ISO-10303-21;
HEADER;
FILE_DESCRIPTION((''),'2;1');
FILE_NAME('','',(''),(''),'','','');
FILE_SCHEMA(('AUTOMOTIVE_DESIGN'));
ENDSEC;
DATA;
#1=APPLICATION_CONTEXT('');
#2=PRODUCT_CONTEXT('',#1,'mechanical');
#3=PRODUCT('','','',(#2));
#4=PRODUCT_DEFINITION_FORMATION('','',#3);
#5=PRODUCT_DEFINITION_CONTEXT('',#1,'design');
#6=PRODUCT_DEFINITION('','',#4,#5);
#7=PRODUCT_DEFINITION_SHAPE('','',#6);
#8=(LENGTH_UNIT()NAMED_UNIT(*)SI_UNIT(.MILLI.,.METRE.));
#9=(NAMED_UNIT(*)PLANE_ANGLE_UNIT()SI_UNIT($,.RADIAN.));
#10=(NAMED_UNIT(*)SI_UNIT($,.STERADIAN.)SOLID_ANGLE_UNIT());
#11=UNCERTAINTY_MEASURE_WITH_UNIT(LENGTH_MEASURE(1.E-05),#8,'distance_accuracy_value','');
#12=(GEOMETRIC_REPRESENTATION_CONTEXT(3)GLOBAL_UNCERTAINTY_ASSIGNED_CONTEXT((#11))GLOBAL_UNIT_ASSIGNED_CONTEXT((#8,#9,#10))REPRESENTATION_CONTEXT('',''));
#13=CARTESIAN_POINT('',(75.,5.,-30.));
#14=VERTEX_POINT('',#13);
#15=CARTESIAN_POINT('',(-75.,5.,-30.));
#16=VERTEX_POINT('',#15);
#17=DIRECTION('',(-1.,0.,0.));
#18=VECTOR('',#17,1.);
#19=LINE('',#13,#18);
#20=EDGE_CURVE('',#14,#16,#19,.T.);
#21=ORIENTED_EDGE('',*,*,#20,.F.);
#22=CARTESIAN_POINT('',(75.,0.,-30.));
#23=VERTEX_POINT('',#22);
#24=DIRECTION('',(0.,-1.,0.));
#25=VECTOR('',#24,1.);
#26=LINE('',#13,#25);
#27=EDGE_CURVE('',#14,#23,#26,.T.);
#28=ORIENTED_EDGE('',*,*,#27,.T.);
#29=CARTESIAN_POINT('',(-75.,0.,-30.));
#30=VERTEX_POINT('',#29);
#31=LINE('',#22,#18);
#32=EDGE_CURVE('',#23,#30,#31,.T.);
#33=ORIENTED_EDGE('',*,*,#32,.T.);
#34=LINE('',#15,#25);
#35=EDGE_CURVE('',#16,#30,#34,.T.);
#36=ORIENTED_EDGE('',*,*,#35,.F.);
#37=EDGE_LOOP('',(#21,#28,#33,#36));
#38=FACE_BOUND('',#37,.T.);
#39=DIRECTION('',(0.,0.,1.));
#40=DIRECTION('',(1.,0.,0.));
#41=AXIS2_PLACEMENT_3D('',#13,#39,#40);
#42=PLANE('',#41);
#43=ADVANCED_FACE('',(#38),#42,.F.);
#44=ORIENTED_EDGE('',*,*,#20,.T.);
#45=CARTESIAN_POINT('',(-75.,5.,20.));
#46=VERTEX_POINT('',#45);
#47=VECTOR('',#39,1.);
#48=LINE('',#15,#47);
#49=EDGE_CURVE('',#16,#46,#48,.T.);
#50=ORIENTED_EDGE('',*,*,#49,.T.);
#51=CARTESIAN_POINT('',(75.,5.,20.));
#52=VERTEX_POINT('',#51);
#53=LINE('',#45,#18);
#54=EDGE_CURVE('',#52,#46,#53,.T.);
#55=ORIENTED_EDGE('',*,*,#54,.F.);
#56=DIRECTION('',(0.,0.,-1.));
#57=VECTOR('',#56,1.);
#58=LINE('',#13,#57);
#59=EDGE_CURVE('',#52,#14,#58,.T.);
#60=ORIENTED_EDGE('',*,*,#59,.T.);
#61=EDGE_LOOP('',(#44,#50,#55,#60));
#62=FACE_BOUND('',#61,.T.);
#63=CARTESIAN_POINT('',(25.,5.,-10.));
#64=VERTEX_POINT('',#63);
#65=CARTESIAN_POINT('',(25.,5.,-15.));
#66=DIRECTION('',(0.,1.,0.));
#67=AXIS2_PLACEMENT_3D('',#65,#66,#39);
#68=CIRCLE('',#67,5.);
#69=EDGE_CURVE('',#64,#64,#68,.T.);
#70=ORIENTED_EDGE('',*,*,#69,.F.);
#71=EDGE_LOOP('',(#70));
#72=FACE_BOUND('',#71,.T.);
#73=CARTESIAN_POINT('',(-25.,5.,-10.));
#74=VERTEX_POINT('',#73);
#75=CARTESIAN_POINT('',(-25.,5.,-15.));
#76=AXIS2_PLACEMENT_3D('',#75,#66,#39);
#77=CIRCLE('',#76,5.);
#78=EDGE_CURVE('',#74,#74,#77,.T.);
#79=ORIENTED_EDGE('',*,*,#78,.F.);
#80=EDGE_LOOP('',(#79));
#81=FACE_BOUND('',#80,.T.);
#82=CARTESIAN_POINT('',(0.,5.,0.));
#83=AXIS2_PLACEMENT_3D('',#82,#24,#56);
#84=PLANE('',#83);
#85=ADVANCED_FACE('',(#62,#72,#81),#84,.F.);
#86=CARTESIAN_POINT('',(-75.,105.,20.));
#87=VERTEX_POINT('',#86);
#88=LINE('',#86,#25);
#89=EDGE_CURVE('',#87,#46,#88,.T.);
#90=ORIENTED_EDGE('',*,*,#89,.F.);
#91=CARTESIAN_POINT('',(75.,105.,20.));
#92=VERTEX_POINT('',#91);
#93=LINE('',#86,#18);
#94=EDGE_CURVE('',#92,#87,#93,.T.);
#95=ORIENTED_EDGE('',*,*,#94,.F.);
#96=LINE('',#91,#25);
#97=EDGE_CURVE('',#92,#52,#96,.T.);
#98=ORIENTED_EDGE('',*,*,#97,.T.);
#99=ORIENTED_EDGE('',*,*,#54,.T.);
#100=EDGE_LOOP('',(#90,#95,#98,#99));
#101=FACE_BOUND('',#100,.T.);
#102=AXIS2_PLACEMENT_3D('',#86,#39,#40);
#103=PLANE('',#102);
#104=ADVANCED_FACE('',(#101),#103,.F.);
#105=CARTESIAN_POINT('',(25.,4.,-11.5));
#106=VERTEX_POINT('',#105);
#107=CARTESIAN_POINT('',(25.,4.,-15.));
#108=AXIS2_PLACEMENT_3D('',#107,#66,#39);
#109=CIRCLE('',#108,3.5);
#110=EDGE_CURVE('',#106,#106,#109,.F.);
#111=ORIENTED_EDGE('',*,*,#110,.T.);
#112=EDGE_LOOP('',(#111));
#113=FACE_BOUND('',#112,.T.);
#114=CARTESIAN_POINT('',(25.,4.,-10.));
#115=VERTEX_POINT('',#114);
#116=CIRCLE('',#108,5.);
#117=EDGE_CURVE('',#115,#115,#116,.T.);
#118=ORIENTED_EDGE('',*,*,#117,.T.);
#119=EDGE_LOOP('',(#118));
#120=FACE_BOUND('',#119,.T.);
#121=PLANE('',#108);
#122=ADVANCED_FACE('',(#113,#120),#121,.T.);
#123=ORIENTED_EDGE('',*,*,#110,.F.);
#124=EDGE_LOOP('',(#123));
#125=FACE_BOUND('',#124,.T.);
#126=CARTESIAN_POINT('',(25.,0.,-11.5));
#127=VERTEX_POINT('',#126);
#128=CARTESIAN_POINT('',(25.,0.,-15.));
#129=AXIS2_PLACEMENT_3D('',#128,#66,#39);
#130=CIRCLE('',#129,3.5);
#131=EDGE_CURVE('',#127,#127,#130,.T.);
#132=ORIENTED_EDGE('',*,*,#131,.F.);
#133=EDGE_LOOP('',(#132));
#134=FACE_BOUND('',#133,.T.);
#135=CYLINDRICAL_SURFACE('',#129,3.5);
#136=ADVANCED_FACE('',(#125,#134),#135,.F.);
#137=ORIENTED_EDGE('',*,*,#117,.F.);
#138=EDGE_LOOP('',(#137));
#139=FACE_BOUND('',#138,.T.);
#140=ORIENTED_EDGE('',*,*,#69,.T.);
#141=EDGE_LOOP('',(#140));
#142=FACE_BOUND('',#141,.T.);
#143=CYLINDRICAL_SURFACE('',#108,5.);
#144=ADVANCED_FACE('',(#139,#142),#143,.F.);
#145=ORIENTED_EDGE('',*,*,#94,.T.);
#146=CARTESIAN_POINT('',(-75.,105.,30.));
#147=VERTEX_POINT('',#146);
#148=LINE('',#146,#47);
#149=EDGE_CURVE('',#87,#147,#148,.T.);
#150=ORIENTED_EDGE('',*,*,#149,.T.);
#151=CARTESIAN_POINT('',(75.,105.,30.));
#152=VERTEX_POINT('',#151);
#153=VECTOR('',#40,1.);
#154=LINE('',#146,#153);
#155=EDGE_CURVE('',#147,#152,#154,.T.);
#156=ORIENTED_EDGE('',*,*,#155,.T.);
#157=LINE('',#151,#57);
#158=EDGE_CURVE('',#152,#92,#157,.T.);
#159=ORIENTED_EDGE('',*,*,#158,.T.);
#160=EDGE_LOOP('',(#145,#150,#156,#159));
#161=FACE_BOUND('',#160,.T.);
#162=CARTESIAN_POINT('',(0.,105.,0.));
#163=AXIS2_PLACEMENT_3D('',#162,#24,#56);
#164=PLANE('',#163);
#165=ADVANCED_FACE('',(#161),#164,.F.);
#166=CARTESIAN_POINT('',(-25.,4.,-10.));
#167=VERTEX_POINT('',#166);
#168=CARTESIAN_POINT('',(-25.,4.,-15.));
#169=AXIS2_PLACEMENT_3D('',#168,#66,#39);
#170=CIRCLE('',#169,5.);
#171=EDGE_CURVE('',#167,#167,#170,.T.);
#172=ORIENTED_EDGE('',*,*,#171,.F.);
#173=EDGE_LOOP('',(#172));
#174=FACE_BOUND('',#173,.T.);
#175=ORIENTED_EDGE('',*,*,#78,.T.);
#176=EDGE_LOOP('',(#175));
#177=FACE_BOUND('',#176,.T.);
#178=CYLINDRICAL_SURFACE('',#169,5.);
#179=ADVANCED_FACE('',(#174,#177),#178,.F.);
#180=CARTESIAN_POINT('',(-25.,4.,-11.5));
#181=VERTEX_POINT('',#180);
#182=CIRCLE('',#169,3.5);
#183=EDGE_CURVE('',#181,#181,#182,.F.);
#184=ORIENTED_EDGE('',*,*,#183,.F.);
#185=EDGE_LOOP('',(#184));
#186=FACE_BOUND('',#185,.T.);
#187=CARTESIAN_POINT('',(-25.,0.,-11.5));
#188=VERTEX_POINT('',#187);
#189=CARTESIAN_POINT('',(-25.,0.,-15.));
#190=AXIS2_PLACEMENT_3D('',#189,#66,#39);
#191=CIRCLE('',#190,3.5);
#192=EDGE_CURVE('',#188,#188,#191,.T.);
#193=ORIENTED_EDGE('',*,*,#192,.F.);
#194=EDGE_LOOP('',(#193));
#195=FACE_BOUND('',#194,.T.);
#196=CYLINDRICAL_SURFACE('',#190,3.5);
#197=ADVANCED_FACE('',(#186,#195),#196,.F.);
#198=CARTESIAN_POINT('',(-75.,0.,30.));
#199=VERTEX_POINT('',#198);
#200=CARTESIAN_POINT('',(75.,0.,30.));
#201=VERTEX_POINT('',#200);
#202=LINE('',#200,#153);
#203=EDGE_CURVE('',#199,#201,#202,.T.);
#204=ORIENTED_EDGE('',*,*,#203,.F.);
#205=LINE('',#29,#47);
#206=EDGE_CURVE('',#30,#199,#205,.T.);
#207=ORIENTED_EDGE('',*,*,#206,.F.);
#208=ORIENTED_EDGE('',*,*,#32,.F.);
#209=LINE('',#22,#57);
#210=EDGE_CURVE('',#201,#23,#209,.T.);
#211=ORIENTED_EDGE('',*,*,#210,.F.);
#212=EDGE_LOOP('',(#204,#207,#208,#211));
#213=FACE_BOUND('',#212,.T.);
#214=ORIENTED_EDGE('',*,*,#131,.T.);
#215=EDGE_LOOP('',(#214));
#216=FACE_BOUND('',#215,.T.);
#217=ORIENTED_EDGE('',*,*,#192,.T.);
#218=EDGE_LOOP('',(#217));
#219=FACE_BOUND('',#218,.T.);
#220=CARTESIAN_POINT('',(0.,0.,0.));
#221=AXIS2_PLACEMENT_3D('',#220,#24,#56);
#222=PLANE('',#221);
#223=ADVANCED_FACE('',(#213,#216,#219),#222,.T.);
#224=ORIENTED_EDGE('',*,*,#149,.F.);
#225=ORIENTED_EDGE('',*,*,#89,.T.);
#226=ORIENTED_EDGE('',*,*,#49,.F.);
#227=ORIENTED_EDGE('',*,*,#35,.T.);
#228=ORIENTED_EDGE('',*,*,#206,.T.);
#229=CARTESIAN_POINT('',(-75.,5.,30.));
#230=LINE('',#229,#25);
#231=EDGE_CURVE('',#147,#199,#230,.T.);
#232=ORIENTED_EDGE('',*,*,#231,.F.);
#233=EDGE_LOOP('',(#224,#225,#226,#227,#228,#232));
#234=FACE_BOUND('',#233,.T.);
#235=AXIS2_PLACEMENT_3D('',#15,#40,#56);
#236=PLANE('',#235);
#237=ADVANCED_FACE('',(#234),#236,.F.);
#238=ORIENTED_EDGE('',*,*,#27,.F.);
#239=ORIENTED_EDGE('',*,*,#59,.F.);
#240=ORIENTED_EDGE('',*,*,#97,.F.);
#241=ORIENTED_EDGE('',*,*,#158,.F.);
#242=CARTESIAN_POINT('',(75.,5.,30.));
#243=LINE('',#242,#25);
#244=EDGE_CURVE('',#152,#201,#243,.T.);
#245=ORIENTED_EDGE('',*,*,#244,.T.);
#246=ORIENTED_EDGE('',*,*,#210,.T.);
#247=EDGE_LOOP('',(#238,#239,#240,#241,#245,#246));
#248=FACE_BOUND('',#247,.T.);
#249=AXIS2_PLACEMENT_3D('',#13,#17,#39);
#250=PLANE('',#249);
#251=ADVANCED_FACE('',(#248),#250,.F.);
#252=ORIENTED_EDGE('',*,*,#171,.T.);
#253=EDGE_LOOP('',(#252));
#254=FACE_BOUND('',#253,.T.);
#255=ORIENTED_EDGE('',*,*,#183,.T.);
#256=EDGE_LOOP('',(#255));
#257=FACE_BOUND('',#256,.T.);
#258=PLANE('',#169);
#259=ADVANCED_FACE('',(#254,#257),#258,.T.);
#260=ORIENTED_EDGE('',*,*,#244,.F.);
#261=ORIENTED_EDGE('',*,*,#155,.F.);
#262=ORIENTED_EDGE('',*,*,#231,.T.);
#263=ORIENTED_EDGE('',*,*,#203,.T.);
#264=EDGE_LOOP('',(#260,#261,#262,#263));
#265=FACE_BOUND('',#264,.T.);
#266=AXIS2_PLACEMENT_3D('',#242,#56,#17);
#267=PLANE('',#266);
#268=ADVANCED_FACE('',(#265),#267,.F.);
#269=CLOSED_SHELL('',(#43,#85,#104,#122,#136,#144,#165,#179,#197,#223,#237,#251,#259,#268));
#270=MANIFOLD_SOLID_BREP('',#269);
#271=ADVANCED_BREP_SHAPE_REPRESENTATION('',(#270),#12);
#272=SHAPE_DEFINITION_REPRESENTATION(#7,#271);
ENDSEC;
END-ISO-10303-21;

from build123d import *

# Parameters (mm, degrees)
SKETCH2_W           = 150
SKETCH2_H           = 60
BOSS_EXTRUDE2_DEPTH = 5
SKETCH3_W           = 150
SKETCH3_H           = 10
BOSS_EXTRUDE3_DEPTH = 100
SKETCH4_R           = 3.5
CUT_EXTRUDE1_DEPTH  = 129.549601322
SKETCH6_R           = 5
CUT_EXTRUDE2_DEPTH  = 1


with BuildPart() as part:
    # Sketch2 → Boss-Extrude2 (new body)
    with BuildSketch(Plane(origin=(0, 0, 0), x_dir=(1, 0, 0), z_dir=(0, 1, 0))):
        Rectangle(SKETCH2_W, SKETCH2_H)
    extrude(amount=BOSS_EXTRUDE2_DEPTH)

    # Sketch3 → Boss-Extrude3 (add)
    with BuildSketch(Plane(origin=(0, 5, 0), x_dir=(1, 0, 0), z_dir=(0, 1, 0))):
        with Locations((0, -25)):
            Rectangle(SKETCH3_W, SKETCH3_H)
    extrude(amount=BOSS_EXTRUDE3_DEPTH)

    # Sketch4 → Cut-Extrude1 (cut, through all)
    with BuildSketch(Plane(origin=(0, 5, 0), x_dir=(1, 0, 0), z_dir=(0, 1, 0))):
        with Locations(Location((-25, 15, 0), (0, 0, 270))):
            Circle(SKETCH4_R)
        with Locations(Location((25, 15, 0), (0, 0, 270))):
            Circle(SKETCH4_R)
    extrude(amount=-CUT_EXTRUDE1_DEPTH, mode=Mode.SUBTRACT)

    # Sketch6 → Cut-Extrude2 (cut)
    with BuildSketch(Plane(origin=(0, 5, 0), x_dir=(1, 0, 0), z_dir=(0, 1, 0))):
        with Locations(Location((-25, 15, 0), (0, 0, 270))):
            Circle(SKETCH6_R)
        with Locations(Location((25, 15, 0), (0, 0, 270))):
            Circle(SKETCH6_R)
    extrude(amount=-CUT_EXTRUDE2_DEPTH, mode=Mode.SUBTRACT)


solid = part.part
